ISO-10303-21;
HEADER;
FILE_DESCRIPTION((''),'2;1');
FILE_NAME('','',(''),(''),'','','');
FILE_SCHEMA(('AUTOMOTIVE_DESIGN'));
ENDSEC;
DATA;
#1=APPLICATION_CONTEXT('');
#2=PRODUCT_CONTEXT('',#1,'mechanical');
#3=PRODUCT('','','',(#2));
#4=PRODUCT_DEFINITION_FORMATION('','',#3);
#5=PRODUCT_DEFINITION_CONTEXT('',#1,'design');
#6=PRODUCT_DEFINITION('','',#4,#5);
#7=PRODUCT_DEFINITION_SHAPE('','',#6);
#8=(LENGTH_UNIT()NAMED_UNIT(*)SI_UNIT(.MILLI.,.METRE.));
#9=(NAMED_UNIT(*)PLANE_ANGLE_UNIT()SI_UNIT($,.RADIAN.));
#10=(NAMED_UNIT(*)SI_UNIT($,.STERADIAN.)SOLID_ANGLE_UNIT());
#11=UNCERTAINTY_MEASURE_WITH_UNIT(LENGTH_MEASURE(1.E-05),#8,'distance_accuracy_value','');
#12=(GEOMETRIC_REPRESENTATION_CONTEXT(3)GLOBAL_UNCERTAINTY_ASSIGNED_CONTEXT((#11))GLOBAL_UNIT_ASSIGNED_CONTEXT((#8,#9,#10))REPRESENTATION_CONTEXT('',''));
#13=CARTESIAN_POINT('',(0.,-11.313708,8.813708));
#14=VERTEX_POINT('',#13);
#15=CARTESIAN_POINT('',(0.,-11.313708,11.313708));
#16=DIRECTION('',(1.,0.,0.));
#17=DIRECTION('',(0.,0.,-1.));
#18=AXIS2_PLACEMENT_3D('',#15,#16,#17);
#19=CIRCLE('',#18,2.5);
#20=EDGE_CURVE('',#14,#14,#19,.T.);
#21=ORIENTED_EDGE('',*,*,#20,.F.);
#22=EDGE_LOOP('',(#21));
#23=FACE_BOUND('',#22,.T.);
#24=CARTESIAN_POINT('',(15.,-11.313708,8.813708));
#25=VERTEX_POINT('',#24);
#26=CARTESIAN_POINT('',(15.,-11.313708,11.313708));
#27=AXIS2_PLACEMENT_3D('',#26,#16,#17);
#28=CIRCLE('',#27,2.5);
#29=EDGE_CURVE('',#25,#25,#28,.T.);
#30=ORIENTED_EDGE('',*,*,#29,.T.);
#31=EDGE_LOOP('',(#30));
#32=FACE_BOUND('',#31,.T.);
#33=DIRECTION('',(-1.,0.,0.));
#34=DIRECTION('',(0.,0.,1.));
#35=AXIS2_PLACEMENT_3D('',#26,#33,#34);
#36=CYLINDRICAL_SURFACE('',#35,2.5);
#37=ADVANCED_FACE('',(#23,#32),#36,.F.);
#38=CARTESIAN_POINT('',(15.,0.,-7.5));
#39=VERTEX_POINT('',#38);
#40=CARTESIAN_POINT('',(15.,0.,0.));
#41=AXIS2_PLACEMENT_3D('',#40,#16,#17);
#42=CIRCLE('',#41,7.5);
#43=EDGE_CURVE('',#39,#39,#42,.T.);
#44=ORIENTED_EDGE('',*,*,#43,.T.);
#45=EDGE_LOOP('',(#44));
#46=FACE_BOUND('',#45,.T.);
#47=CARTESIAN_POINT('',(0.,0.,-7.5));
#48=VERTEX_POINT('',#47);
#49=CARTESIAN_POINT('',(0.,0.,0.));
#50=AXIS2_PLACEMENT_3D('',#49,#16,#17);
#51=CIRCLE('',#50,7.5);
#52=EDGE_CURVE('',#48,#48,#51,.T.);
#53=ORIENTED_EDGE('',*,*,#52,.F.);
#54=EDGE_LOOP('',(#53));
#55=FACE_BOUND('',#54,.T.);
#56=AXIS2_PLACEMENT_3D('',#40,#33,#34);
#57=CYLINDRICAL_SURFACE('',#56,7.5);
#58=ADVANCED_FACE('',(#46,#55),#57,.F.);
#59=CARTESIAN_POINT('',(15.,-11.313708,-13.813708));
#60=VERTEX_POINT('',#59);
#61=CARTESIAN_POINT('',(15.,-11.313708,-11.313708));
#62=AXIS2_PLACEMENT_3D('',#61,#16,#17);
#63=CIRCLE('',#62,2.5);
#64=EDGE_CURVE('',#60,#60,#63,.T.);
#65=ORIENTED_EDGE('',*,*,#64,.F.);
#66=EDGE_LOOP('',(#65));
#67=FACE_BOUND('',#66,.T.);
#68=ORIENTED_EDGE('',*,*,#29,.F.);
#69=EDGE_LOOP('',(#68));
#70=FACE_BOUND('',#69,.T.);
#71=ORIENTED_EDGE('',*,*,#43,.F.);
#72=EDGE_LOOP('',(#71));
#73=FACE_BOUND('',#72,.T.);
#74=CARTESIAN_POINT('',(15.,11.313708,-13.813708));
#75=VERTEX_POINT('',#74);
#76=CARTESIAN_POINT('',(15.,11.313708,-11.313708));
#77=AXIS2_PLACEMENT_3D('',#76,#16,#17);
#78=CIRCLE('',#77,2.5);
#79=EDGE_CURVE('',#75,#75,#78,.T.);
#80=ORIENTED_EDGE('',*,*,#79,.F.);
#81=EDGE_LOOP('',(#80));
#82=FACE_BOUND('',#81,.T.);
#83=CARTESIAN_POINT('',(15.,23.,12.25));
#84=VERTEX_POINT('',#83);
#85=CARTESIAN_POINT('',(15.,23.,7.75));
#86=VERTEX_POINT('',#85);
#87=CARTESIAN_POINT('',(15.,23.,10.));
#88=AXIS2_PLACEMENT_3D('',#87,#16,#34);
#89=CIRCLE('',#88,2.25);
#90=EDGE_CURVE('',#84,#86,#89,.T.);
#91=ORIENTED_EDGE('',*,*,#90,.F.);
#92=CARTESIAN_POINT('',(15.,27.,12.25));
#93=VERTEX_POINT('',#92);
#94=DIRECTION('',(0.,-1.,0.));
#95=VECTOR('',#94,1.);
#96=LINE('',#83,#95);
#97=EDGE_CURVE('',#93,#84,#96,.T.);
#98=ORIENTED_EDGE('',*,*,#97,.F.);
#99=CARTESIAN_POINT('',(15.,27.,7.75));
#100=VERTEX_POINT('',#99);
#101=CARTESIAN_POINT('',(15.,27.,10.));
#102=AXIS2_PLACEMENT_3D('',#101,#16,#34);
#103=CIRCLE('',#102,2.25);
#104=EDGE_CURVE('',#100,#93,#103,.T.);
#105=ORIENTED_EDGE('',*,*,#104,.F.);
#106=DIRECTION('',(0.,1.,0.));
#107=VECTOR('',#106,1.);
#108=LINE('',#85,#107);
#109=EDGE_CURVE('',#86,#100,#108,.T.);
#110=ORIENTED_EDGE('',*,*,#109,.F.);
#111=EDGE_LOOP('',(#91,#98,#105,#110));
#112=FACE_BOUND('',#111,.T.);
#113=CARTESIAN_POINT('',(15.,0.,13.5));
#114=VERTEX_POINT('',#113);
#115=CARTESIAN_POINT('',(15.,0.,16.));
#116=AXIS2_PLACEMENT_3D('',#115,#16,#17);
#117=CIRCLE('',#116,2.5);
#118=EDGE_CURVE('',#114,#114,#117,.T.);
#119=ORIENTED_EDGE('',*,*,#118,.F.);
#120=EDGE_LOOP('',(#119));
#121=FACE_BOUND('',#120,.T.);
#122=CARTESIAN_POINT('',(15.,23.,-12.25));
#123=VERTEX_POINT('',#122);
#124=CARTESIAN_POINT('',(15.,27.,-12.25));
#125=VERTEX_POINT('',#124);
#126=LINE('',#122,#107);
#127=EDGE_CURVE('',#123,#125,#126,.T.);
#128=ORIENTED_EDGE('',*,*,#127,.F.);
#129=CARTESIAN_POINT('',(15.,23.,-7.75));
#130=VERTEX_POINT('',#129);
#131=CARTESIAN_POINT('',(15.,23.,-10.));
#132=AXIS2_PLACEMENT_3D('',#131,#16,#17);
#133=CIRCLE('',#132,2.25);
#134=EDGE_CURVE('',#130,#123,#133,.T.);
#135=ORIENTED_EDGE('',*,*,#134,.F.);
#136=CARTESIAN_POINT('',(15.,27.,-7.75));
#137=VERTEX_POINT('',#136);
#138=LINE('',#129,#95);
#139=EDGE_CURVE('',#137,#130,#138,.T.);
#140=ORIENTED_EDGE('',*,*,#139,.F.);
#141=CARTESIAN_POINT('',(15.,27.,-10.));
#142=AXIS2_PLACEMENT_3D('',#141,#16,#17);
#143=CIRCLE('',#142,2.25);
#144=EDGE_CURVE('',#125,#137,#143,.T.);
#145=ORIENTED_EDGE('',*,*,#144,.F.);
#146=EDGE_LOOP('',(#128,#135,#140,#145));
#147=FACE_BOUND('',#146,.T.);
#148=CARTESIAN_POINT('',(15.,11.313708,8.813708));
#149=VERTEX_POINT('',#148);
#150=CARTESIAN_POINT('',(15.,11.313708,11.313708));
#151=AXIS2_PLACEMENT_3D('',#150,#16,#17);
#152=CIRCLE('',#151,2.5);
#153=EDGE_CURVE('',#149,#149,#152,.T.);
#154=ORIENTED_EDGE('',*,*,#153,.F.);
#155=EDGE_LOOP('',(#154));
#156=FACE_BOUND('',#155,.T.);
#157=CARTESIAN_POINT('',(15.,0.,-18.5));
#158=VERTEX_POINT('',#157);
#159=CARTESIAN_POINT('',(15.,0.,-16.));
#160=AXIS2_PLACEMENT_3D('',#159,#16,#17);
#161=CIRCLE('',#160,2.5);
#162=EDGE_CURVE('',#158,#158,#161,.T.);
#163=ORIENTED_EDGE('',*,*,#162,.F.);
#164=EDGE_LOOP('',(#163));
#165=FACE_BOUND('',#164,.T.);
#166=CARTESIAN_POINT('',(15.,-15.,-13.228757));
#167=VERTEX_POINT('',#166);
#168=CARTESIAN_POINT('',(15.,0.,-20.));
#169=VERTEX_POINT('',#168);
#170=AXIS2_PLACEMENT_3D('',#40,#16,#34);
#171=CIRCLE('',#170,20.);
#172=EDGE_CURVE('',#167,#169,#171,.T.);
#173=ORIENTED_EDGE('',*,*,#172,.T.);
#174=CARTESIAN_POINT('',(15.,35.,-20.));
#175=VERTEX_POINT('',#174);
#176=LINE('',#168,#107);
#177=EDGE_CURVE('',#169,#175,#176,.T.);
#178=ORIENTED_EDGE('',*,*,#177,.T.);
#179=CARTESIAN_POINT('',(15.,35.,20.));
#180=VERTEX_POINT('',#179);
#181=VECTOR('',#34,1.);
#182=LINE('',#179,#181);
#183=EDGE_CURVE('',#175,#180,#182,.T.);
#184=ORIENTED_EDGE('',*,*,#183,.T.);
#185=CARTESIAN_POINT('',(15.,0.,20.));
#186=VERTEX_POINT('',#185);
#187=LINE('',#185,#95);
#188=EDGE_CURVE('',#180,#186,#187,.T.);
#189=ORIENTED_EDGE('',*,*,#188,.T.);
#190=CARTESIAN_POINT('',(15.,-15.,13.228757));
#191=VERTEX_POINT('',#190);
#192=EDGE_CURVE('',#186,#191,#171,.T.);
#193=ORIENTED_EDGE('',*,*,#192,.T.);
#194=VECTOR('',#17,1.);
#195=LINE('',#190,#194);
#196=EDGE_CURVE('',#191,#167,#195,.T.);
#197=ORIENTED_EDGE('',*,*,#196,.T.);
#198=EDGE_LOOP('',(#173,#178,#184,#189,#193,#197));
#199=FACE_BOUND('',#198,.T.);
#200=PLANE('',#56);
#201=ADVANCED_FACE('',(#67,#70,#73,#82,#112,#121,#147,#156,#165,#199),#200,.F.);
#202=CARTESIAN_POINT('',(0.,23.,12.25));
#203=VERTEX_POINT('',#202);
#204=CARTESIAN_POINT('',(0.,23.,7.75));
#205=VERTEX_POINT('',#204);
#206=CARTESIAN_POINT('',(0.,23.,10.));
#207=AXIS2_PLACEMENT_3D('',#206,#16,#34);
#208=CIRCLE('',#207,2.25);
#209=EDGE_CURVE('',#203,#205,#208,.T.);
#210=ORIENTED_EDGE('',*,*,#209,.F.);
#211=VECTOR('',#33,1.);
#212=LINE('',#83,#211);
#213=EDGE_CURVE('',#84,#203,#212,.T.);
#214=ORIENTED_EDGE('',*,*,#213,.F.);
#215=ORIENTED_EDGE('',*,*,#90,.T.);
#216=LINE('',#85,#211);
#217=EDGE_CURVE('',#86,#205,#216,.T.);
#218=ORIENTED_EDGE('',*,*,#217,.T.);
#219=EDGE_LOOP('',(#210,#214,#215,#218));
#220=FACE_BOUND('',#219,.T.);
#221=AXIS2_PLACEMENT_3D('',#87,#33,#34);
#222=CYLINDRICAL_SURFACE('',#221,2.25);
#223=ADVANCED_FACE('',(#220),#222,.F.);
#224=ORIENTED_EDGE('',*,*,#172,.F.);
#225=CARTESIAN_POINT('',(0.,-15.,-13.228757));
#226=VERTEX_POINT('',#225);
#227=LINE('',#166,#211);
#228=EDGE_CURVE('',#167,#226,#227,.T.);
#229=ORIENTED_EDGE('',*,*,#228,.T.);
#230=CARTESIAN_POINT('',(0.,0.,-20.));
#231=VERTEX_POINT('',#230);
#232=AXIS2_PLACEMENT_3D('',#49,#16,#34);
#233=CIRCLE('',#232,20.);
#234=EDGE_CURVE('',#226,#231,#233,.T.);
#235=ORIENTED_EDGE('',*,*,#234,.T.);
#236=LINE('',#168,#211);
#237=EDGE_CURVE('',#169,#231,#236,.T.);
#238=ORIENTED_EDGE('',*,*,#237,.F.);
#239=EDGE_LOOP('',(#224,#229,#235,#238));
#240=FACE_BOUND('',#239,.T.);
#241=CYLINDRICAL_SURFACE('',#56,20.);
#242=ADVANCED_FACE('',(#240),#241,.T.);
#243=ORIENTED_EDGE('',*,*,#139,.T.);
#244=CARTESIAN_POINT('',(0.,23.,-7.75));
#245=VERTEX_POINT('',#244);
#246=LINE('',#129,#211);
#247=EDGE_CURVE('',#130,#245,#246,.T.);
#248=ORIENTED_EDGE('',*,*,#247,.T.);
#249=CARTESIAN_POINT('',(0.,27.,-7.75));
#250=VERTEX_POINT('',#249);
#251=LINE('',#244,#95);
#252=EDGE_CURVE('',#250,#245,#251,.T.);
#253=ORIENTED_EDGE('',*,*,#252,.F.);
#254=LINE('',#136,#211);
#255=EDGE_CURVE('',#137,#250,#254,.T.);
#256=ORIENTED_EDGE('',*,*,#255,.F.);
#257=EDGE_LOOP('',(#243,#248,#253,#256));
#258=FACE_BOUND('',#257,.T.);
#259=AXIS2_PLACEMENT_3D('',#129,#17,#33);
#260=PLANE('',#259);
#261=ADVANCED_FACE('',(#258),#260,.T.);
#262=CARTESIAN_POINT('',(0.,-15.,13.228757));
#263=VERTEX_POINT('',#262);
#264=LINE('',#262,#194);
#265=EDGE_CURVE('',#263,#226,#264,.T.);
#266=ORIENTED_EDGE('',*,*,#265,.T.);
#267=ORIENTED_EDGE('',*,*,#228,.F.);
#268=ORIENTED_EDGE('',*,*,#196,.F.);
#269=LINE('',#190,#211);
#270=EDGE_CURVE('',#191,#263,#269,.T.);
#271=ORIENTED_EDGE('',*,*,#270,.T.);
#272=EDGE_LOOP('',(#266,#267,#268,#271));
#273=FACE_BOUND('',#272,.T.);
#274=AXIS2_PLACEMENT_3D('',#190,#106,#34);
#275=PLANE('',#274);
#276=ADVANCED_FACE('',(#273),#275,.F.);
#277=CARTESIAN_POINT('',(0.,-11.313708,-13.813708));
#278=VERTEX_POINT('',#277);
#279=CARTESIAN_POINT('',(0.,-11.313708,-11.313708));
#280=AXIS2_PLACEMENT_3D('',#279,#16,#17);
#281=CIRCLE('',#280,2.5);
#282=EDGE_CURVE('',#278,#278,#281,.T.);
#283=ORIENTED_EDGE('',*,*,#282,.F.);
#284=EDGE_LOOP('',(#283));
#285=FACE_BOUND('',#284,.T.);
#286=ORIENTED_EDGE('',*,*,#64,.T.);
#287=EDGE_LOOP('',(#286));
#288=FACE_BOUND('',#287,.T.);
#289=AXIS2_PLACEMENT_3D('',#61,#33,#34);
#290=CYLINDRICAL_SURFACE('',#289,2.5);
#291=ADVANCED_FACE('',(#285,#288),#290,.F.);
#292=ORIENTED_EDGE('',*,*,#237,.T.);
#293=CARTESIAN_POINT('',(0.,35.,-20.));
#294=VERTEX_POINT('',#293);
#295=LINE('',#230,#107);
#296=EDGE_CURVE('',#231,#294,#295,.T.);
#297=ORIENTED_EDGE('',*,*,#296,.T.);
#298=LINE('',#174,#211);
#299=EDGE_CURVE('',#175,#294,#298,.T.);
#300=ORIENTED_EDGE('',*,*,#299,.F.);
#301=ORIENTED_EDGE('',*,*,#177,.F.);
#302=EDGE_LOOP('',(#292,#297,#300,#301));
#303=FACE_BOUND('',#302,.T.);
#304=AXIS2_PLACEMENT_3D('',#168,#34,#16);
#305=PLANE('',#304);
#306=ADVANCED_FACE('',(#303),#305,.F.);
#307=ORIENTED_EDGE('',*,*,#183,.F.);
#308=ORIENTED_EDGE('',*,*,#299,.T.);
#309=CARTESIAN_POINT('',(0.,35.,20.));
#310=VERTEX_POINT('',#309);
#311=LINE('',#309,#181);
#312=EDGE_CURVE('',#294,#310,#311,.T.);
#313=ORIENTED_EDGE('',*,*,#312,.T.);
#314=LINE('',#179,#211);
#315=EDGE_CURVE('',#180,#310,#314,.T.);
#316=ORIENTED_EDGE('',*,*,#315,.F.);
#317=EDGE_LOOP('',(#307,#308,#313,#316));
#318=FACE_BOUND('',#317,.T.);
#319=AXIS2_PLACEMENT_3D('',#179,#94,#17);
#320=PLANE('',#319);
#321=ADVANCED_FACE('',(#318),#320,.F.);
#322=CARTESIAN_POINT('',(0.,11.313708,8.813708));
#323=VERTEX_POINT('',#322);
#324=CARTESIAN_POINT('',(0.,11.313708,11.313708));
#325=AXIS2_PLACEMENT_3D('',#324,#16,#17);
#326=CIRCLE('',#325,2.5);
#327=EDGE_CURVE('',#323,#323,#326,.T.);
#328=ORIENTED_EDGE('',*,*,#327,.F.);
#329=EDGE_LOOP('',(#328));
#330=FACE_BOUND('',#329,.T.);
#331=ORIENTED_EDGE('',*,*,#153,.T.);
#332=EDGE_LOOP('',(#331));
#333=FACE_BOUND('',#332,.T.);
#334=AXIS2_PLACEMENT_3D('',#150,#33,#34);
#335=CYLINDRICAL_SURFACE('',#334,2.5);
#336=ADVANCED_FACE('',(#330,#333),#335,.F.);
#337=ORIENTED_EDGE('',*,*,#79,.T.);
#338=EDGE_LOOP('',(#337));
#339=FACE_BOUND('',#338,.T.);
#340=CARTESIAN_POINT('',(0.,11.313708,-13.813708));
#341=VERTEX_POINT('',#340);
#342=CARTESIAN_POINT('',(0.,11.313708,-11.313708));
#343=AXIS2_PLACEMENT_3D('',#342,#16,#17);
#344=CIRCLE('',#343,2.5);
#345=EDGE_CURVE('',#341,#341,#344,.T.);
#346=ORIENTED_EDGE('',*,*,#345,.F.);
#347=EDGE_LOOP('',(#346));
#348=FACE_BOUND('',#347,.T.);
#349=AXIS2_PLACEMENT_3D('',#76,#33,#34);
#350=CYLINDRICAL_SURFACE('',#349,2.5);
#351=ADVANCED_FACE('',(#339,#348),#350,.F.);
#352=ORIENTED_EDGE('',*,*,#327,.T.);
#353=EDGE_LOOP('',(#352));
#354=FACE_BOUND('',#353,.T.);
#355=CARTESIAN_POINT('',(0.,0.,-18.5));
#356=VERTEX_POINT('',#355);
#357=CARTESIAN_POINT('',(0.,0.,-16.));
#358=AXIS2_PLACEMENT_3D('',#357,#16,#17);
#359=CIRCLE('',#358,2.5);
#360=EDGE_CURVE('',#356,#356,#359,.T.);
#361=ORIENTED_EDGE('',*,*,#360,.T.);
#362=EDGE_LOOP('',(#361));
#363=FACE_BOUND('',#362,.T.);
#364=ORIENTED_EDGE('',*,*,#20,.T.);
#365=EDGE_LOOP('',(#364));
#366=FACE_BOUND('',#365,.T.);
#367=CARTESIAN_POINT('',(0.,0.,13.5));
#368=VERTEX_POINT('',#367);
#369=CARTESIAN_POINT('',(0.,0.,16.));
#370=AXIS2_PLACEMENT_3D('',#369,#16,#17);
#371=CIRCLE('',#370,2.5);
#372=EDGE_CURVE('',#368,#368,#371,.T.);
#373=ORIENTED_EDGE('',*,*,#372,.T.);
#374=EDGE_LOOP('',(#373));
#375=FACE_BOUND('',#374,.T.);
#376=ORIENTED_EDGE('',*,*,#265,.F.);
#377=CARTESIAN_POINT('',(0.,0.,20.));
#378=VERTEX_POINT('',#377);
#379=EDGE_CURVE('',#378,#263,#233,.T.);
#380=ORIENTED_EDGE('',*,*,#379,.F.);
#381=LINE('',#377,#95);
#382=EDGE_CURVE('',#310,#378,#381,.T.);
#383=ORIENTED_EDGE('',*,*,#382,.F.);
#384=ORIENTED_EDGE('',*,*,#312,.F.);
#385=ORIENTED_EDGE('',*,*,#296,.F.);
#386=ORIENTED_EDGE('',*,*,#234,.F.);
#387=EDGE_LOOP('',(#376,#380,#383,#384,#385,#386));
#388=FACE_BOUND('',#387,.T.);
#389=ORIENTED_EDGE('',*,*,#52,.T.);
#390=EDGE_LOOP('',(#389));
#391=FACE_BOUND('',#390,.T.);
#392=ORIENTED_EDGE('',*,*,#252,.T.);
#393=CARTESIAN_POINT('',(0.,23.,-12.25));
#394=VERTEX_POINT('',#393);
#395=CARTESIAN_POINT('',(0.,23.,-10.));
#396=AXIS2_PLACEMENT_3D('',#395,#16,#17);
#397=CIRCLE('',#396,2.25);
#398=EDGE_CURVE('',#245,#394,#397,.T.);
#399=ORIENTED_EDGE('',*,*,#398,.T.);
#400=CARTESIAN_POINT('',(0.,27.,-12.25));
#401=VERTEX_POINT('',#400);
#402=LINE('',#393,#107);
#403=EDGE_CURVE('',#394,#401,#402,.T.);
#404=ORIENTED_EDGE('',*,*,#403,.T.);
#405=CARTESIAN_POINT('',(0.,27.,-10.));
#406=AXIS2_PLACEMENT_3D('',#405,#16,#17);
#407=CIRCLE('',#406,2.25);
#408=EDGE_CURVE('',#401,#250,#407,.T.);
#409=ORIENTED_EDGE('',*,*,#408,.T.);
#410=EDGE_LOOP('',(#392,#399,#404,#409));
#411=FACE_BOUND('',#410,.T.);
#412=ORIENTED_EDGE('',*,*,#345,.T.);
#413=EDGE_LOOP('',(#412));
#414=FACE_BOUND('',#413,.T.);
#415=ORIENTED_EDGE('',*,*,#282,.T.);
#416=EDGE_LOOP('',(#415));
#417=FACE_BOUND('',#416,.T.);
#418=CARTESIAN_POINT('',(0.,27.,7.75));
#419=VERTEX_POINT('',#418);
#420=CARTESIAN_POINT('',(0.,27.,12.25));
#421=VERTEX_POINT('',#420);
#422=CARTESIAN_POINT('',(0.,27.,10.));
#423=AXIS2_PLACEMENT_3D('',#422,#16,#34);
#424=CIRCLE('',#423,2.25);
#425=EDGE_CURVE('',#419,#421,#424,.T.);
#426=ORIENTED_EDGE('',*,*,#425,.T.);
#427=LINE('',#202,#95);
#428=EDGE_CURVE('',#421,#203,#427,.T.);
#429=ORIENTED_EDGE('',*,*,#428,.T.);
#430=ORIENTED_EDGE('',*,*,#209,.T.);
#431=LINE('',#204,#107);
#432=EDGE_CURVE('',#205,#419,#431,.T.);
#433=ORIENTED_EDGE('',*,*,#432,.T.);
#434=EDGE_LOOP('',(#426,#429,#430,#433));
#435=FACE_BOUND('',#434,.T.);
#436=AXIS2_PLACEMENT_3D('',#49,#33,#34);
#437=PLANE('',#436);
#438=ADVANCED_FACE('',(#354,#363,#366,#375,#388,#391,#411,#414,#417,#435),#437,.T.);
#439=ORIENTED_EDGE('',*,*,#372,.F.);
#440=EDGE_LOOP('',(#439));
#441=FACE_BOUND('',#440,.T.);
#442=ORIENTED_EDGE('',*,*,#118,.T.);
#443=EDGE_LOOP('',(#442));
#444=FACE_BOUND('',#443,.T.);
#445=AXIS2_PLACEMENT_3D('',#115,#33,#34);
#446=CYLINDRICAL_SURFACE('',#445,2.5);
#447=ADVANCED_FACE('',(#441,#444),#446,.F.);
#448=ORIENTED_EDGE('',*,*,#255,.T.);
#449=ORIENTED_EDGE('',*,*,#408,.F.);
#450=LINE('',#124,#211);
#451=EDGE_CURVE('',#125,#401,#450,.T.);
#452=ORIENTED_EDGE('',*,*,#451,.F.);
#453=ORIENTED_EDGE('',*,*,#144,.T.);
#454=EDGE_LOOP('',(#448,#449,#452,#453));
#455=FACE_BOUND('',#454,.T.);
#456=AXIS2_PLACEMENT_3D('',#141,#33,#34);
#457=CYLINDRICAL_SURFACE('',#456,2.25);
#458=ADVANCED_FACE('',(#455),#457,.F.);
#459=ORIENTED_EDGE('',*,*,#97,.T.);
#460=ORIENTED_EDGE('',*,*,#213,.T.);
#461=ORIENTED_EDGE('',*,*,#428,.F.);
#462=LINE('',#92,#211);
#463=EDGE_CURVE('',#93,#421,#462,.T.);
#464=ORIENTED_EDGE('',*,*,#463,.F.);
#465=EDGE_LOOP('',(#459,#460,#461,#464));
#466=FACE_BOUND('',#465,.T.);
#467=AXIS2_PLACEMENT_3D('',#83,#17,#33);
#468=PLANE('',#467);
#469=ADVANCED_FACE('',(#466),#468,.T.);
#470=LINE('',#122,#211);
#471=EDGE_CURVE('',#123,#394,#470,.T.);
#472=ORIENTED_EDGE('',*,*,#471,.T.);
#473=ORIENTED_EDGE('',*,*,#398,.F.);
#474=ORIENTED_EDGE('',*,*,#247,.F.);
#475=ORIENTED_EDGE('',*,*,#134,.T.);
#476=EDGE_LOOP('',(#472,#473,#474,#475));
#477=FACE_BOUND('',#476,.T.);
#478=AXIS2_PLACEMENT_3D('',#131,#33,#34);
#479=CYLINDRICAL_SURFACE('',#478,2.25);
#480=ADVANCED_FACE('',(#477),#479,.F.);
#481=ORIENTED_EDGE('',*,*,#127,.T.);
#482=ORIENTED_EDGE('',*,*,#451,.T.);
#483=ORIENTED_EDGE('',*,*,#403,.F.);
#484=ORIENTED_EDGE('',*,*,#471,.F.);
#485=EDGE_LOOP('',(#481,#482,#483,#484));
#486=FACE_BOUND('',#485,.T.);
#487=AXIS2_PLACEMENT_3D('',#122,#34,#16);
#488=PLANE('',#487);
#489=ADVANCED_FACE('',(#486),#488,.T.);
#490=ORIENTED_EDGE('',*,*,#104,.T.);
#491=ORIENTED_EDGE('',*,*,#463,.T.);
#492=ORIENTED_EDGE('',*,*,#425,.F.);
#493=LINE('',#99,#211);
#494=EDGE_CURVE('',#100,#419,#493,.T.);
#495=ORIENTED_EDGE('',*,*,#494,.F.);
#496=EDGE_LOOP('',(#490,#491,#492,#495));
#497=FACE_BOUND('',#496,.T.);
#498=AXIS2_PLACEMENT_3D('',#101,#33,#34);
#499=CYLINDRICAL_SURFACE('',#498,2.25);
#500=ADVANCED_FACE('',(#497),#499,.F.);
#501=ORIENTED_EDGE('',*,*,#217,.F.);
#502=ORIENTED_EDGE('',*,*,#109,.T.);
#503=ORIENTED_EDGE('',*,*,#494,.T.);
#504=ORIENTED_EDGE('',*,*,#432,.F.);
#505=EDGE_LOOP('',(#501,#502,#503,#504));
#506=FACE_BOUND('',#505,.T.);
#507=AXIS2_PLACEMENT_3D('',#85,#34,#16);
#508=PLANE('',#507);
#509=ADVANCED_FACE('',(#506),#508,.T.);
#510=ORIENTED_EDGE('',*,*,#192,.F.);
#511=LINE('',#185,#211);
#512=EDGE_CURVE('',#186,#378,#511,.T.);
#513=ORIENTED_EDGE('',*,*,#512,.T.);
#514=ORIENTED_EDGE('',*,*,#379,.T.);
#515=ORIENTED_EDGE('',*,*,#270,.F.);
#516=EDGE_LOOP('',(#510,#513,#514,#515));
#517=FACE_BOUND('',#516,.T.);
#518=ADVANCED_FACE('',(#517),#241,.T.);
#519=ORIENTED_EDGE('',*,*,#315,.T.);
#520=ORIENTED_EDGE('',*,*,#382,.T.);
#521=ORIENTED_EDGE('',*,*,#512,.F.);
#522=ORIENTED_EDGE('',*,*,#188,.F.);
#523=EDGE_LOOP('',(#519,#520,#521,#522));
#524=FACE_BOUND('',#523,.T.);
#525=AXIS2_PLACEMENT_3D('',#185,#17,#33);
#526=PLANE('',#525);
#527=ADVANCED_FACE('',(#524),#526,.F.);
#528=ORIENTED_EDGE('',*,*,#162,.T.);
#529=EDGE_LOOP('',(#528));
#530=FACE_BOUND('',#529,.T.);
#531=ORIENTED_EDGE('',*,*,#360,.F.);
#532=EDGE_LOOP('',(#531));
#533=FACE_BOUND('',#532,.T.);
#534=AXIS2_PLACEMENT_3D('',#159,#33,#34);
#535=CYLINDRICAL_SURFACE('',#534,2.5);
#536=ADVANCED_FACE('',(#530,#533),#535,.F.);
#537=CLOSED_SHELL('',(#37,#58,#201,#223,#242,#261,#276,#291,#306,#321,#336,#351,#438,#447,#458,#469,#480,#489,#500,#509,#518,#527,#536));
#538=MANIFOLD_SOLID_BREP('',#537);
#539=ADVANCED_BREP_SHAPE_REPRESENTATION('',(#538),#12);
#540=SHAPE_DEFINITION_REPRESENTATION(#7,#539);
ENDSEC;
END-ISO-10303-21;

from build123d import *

# Parameters (mm, degrees)
SKETCH1_R           = 7.5
SKETCH1_R_2         = 2.5
BOSS_EXTRUDE1_DEPTH = 15


with BuildPart() as part:
    # Sketch1 → Boss-Extrude1 (new body)
    with BuildSketch(Plane(origin=(0, 0, 0), x_dir=(0, 0, -1), z_dir=(1, 0, 0))):
        with BuildLine():
            Line((-13.228756555, -15), (13.228756555, -15))
            ThreePointArc((13.228756555, -15), (18.228756555, -8.228756555), (20, 0))
            Line((20, 0), (20, 35))
            Line((20, 35), (-20, 35))
            Line((-20, 35), (-20, 0))
            ThreePointArc((-20, 0), (-18.228756555, -8.228756555), (-13.228756555, -15))
        make_face()
        Circle(SKETCH1_R, mode=Mode.SUBTRACT)
        with Locations((16, 0)):
            Circle(SKETCH1_R_2, mode=Mode.SUBTRACT)
        with Locations((11.313708499, -11.313708499)):
            Circle(SKETCH1_R_2, mode=Mode.SUBTRACT)
        with Locations((-11.313708499, -11.313708499)):
            Circle(SKETCH1_R_2, mode=Mode.SUBTRACT)
        with Locations((-16, 0)):
            Circle(SKETCH1_R_2, mode=Mode.SUBTRACT)
        with Locations((-11.313708499, 11.313708499)):
            Circle(SKETCH1_R_2, mode=Mode.SUBTRACT)
        with Locations((11.313708499, 11.313708499)):
            Circle(SKETCH1_R_2, mode=Mode.SUBTRACT)
        with BuildLine():
            Line((-12.25, 23), (-12.25, 27))
            ThreePointArc((-12.25, 27), (-10, 29.25), (-7.75, 27))
            Line((-7.75, 27), (-7.75, 23))
            ThreePointArc((-7.75, 23), (-10, 20.75), (-12.25, 23))
        make_face(mode=Mode.SUBTRACT)
        with BuildLine():
            Line((12.25, 23), (12.25, 27))
            ThreePointArc((12.25, 27), (10, 29.25), (7.75, 27))
            Line((7.75, 27), (7.75, 23))
            ThreePointArc((7.75, 23), (10, 20.75), (12.25, 23))
        make_face(mode=Mode.SUBTRACT)
    extrude(amount=BOSS_EXTRUDE1_DEPTH)


solid = part.part
